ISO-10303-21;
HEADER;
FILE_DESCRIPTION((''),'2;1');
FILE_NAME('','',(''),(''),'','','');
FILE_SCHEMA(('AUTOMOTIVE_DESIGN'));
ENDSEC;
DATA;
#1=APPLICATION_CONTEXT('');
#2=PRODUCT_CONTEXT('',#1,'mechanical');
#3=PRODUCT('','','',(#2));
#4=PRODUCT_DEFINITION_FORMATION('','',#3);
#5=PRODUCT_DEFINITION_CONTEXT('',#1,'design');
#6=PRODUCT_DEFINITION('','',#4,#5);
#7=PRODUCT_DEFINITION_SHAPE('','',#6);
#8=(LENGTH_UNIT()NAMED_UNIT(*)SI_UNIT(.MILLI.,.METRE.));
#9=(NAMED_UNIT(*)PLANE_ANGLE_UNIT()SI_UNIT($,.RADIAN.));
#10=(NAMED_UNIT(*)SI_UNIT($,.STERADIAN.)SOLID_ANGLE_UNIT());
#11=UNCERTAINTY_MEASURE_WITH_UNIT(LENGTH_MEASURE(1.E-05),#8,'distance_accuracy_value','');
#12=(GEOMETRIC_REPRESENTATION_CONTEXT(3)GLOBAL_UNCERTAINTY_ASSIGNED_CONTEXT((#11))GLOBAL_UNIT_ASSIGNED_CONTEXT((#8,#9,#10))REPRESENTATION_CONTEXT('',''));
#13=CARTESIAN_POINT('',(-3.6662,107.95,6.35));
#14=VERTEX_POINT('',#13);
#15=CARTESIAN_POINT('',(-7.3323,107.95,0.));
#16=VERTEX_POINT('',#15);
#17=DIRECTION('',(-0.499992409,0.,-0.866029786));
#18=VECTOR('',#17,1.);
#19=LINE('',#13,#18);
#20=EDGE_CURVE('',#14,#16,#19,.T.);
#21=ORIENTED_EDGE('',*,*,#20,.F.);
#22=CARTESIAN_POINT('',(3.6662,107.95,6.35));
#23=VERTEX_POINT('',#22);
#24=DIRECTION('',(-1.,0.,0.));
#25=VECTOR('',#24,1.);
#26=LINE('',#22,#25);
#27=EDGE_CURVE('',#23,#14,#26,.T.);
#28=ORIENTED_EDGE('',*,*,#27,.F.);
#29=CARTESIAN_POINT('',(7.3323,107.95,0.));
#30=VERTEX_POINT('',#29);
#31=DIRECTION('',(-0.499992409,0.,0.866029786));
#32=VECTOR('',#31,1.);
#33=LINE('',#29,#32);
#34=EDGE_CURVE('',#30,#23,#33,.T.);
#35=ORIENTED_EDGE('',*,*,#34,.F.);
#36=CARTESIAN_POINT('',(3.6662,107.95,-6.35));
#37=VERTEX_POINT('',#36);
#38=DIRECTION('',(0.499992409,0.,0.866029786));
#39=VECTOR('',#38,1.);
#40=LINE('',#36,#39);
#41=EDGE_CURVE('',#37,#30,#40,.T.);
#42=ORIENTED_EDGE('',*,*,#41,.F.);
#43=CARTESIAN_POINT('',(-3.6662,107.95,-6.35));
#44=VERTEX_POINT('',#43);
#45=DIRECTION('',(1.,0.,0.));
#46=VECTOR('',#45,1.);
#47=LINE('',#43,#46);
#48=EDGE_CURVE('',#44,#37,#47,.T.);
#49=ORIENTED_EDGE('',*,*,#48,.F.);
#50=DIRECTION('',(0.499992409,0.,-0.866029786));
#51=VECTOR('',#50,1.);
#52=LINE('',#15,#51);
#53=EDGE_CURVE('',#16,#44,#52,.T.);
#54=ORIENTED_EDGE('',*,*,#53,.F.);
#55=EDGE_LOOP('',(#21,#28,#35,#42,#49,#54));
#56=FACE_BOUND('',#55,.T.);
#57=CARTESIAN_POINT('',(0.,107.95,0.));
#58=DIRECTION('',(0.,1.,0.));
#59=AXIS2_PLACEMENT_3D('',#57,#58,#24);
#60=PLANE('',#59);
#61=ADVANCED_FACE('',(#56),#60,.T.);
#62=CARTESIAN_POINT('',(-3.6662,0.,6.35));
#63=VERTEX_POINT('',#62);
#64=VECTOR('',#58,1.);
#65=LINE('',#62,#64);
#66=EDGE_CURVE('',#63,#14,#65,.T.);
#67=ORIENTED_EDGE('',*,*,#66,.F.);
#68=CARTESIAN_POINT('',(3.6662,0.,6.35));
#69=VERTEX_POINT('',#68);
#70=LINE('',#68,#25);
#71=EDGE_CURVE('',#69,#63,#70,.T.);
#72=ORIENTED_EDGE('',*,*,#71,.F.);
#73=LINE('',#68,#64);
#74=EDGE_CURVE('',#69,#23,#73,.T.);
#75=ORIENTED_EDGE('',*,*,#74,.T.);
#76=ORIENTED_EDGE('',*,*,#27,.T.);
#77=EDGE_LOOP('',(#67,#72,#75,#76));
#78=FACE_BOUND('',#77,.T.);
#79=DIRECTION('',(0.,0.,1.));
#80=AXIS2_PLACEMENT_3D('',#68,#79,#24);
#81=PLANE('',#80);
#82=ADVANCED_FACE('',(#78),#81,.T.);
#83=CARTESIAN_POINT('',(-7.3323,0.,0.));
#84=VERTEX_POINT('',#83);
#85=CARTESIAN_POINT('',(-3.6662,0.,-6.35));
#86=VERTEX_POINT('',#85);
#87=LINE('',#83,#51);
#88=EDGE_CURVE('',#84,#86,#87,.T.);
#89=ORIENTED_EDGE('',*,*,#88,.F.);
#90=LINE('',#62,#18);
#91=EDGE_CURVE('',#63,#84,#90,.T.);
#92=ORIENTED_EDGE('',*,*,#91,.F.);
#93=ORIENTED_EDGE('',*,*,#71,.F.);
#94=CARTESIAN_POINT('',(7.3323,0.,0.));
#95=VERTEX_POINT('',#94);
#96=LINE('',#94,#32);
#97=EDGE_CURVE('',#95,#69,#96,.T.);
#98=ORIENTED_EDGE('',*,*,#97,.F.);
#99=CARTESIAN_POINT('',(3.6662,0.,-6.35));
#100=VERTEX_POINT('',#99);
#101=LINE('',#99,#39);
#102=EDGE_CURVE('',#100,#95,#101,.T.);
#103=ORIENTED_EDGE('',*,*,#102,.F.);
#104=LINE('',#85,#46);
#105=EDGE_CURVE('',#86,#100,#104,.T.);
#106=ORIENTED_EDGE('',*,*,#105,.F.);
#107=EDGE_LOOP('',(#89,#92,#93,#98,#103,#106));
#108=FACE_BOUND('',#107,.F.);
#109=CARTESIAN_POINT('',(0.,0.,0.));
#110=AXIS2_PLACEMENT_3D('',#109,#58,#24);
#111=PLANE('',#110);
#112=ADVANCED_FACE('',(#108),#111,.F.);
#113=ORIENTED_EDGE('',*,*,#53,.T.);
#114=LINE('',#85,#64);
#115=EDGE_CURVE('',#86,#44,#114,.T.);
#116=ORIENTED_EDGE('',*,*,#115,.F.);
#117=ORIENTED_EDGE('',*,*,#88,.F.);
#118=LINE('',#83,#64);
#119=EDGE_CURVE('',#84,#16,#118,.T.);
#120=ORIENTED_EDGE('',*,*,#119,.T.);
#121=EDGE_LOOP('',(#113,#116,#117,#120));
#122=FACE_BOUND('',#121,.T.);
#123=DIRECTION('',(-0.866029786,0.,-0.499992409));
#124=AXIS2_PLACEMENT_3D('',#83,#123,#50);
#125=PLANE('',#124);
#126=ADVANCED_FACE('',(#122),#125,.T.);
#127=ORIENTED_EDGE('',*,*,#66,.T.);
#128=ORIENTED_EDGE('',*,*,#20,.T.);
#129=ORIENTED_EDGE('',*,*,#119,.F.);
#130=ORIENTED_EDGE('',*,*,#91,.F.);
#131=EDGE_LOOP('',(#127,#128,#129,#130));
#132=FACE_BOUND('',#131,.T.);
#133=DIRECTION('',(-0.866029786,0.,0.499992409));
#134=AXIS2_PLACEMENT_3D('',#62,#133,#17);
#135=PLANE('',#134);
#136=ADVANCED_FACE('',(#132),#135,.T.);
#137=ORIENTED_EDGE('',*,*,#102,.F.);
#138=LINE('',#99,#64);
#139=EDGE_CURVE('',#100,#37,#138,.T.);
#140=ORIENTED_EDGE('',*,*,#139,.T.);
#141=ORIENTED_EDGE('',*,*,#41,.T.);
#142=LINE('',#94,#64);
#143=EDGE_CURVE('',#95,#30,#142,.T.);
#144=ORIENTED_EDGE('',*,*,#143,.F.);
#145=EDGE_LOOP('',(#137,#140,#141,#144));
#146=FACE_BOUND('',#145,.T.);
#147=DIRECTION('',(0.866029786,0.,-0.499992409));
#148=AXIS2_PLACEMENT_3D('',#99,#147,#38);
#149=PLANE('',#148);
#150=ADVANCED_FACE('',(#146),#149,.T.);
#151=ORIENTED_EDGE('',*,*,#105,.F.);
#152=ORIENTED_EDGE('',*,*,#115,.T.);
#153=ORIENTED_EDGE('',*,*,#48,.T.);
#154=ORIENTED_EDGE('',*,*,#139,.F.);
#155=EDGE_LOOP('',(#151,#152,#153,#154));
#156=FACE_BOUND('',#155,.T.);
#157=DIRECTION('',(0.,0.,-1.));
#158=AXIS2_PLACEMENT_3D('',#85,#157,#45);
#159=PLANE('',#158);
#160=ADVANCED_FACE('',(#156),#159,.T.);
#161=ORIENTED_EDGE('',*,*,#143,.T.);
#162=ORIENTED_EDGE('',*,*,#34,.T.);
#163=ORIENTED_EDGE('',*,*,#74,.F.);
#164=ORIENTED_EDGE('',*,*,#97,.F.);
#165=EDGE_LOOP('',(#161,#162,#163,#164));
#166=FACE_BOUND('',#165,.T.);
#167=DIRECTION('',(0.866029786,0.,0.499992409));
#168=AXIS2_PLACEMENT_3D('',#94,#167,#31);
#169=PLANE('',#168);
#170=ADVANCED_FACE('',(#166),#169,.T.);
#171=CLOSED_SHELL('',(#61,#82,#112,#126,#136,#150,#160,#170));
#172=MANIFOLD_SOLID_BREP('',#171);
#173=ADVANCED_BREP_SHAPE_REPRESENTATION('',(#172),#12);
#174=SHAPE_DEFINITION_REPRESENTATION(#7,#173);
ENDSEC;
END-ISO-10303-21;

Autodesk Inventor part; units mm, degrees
ref_plane "YZ Plane" through (0, 0, 0) normal (1, 0, 0) x (0, 1, 0)
ref_plane "XZ Plane" through (0, 0, 0) normal (0, 1, 0) x (-1, 0, 0)
ref_plane "XY Plane" through (0, 0, 0) normal (0, 0, 1) x (1, 0, 0)
sketch "Sketch1" plane through (0, 0, 0) normal (0, 1, 0) x (-1, 0, 0)
  line L0 (-3.6662, -6.35) -> (-7.3323, 0)
  line L1 (-7.3323, 0) -> (-3.6662, 6.35)
  line L2 (-3.6662, 6.35) -> (3.6662, 6.35)
  line L3 (3.6662, 6.35) -> (7.3323, 0)
  line L4 (7.3323, 0) -> (3.6662, -6.35)
  line L5 (3.6662, -6.35) -> (-3.6662, -6.35)
  point P0 (0, 0)
  point P1 (0, 0)
  dimension "d0" = 12.7
extrude "Extrusion1" add sketch "Sketch1" along normal blind 107.95
properties part number "STOCK,LEFT,HEX" material "Aluminum 6061"
